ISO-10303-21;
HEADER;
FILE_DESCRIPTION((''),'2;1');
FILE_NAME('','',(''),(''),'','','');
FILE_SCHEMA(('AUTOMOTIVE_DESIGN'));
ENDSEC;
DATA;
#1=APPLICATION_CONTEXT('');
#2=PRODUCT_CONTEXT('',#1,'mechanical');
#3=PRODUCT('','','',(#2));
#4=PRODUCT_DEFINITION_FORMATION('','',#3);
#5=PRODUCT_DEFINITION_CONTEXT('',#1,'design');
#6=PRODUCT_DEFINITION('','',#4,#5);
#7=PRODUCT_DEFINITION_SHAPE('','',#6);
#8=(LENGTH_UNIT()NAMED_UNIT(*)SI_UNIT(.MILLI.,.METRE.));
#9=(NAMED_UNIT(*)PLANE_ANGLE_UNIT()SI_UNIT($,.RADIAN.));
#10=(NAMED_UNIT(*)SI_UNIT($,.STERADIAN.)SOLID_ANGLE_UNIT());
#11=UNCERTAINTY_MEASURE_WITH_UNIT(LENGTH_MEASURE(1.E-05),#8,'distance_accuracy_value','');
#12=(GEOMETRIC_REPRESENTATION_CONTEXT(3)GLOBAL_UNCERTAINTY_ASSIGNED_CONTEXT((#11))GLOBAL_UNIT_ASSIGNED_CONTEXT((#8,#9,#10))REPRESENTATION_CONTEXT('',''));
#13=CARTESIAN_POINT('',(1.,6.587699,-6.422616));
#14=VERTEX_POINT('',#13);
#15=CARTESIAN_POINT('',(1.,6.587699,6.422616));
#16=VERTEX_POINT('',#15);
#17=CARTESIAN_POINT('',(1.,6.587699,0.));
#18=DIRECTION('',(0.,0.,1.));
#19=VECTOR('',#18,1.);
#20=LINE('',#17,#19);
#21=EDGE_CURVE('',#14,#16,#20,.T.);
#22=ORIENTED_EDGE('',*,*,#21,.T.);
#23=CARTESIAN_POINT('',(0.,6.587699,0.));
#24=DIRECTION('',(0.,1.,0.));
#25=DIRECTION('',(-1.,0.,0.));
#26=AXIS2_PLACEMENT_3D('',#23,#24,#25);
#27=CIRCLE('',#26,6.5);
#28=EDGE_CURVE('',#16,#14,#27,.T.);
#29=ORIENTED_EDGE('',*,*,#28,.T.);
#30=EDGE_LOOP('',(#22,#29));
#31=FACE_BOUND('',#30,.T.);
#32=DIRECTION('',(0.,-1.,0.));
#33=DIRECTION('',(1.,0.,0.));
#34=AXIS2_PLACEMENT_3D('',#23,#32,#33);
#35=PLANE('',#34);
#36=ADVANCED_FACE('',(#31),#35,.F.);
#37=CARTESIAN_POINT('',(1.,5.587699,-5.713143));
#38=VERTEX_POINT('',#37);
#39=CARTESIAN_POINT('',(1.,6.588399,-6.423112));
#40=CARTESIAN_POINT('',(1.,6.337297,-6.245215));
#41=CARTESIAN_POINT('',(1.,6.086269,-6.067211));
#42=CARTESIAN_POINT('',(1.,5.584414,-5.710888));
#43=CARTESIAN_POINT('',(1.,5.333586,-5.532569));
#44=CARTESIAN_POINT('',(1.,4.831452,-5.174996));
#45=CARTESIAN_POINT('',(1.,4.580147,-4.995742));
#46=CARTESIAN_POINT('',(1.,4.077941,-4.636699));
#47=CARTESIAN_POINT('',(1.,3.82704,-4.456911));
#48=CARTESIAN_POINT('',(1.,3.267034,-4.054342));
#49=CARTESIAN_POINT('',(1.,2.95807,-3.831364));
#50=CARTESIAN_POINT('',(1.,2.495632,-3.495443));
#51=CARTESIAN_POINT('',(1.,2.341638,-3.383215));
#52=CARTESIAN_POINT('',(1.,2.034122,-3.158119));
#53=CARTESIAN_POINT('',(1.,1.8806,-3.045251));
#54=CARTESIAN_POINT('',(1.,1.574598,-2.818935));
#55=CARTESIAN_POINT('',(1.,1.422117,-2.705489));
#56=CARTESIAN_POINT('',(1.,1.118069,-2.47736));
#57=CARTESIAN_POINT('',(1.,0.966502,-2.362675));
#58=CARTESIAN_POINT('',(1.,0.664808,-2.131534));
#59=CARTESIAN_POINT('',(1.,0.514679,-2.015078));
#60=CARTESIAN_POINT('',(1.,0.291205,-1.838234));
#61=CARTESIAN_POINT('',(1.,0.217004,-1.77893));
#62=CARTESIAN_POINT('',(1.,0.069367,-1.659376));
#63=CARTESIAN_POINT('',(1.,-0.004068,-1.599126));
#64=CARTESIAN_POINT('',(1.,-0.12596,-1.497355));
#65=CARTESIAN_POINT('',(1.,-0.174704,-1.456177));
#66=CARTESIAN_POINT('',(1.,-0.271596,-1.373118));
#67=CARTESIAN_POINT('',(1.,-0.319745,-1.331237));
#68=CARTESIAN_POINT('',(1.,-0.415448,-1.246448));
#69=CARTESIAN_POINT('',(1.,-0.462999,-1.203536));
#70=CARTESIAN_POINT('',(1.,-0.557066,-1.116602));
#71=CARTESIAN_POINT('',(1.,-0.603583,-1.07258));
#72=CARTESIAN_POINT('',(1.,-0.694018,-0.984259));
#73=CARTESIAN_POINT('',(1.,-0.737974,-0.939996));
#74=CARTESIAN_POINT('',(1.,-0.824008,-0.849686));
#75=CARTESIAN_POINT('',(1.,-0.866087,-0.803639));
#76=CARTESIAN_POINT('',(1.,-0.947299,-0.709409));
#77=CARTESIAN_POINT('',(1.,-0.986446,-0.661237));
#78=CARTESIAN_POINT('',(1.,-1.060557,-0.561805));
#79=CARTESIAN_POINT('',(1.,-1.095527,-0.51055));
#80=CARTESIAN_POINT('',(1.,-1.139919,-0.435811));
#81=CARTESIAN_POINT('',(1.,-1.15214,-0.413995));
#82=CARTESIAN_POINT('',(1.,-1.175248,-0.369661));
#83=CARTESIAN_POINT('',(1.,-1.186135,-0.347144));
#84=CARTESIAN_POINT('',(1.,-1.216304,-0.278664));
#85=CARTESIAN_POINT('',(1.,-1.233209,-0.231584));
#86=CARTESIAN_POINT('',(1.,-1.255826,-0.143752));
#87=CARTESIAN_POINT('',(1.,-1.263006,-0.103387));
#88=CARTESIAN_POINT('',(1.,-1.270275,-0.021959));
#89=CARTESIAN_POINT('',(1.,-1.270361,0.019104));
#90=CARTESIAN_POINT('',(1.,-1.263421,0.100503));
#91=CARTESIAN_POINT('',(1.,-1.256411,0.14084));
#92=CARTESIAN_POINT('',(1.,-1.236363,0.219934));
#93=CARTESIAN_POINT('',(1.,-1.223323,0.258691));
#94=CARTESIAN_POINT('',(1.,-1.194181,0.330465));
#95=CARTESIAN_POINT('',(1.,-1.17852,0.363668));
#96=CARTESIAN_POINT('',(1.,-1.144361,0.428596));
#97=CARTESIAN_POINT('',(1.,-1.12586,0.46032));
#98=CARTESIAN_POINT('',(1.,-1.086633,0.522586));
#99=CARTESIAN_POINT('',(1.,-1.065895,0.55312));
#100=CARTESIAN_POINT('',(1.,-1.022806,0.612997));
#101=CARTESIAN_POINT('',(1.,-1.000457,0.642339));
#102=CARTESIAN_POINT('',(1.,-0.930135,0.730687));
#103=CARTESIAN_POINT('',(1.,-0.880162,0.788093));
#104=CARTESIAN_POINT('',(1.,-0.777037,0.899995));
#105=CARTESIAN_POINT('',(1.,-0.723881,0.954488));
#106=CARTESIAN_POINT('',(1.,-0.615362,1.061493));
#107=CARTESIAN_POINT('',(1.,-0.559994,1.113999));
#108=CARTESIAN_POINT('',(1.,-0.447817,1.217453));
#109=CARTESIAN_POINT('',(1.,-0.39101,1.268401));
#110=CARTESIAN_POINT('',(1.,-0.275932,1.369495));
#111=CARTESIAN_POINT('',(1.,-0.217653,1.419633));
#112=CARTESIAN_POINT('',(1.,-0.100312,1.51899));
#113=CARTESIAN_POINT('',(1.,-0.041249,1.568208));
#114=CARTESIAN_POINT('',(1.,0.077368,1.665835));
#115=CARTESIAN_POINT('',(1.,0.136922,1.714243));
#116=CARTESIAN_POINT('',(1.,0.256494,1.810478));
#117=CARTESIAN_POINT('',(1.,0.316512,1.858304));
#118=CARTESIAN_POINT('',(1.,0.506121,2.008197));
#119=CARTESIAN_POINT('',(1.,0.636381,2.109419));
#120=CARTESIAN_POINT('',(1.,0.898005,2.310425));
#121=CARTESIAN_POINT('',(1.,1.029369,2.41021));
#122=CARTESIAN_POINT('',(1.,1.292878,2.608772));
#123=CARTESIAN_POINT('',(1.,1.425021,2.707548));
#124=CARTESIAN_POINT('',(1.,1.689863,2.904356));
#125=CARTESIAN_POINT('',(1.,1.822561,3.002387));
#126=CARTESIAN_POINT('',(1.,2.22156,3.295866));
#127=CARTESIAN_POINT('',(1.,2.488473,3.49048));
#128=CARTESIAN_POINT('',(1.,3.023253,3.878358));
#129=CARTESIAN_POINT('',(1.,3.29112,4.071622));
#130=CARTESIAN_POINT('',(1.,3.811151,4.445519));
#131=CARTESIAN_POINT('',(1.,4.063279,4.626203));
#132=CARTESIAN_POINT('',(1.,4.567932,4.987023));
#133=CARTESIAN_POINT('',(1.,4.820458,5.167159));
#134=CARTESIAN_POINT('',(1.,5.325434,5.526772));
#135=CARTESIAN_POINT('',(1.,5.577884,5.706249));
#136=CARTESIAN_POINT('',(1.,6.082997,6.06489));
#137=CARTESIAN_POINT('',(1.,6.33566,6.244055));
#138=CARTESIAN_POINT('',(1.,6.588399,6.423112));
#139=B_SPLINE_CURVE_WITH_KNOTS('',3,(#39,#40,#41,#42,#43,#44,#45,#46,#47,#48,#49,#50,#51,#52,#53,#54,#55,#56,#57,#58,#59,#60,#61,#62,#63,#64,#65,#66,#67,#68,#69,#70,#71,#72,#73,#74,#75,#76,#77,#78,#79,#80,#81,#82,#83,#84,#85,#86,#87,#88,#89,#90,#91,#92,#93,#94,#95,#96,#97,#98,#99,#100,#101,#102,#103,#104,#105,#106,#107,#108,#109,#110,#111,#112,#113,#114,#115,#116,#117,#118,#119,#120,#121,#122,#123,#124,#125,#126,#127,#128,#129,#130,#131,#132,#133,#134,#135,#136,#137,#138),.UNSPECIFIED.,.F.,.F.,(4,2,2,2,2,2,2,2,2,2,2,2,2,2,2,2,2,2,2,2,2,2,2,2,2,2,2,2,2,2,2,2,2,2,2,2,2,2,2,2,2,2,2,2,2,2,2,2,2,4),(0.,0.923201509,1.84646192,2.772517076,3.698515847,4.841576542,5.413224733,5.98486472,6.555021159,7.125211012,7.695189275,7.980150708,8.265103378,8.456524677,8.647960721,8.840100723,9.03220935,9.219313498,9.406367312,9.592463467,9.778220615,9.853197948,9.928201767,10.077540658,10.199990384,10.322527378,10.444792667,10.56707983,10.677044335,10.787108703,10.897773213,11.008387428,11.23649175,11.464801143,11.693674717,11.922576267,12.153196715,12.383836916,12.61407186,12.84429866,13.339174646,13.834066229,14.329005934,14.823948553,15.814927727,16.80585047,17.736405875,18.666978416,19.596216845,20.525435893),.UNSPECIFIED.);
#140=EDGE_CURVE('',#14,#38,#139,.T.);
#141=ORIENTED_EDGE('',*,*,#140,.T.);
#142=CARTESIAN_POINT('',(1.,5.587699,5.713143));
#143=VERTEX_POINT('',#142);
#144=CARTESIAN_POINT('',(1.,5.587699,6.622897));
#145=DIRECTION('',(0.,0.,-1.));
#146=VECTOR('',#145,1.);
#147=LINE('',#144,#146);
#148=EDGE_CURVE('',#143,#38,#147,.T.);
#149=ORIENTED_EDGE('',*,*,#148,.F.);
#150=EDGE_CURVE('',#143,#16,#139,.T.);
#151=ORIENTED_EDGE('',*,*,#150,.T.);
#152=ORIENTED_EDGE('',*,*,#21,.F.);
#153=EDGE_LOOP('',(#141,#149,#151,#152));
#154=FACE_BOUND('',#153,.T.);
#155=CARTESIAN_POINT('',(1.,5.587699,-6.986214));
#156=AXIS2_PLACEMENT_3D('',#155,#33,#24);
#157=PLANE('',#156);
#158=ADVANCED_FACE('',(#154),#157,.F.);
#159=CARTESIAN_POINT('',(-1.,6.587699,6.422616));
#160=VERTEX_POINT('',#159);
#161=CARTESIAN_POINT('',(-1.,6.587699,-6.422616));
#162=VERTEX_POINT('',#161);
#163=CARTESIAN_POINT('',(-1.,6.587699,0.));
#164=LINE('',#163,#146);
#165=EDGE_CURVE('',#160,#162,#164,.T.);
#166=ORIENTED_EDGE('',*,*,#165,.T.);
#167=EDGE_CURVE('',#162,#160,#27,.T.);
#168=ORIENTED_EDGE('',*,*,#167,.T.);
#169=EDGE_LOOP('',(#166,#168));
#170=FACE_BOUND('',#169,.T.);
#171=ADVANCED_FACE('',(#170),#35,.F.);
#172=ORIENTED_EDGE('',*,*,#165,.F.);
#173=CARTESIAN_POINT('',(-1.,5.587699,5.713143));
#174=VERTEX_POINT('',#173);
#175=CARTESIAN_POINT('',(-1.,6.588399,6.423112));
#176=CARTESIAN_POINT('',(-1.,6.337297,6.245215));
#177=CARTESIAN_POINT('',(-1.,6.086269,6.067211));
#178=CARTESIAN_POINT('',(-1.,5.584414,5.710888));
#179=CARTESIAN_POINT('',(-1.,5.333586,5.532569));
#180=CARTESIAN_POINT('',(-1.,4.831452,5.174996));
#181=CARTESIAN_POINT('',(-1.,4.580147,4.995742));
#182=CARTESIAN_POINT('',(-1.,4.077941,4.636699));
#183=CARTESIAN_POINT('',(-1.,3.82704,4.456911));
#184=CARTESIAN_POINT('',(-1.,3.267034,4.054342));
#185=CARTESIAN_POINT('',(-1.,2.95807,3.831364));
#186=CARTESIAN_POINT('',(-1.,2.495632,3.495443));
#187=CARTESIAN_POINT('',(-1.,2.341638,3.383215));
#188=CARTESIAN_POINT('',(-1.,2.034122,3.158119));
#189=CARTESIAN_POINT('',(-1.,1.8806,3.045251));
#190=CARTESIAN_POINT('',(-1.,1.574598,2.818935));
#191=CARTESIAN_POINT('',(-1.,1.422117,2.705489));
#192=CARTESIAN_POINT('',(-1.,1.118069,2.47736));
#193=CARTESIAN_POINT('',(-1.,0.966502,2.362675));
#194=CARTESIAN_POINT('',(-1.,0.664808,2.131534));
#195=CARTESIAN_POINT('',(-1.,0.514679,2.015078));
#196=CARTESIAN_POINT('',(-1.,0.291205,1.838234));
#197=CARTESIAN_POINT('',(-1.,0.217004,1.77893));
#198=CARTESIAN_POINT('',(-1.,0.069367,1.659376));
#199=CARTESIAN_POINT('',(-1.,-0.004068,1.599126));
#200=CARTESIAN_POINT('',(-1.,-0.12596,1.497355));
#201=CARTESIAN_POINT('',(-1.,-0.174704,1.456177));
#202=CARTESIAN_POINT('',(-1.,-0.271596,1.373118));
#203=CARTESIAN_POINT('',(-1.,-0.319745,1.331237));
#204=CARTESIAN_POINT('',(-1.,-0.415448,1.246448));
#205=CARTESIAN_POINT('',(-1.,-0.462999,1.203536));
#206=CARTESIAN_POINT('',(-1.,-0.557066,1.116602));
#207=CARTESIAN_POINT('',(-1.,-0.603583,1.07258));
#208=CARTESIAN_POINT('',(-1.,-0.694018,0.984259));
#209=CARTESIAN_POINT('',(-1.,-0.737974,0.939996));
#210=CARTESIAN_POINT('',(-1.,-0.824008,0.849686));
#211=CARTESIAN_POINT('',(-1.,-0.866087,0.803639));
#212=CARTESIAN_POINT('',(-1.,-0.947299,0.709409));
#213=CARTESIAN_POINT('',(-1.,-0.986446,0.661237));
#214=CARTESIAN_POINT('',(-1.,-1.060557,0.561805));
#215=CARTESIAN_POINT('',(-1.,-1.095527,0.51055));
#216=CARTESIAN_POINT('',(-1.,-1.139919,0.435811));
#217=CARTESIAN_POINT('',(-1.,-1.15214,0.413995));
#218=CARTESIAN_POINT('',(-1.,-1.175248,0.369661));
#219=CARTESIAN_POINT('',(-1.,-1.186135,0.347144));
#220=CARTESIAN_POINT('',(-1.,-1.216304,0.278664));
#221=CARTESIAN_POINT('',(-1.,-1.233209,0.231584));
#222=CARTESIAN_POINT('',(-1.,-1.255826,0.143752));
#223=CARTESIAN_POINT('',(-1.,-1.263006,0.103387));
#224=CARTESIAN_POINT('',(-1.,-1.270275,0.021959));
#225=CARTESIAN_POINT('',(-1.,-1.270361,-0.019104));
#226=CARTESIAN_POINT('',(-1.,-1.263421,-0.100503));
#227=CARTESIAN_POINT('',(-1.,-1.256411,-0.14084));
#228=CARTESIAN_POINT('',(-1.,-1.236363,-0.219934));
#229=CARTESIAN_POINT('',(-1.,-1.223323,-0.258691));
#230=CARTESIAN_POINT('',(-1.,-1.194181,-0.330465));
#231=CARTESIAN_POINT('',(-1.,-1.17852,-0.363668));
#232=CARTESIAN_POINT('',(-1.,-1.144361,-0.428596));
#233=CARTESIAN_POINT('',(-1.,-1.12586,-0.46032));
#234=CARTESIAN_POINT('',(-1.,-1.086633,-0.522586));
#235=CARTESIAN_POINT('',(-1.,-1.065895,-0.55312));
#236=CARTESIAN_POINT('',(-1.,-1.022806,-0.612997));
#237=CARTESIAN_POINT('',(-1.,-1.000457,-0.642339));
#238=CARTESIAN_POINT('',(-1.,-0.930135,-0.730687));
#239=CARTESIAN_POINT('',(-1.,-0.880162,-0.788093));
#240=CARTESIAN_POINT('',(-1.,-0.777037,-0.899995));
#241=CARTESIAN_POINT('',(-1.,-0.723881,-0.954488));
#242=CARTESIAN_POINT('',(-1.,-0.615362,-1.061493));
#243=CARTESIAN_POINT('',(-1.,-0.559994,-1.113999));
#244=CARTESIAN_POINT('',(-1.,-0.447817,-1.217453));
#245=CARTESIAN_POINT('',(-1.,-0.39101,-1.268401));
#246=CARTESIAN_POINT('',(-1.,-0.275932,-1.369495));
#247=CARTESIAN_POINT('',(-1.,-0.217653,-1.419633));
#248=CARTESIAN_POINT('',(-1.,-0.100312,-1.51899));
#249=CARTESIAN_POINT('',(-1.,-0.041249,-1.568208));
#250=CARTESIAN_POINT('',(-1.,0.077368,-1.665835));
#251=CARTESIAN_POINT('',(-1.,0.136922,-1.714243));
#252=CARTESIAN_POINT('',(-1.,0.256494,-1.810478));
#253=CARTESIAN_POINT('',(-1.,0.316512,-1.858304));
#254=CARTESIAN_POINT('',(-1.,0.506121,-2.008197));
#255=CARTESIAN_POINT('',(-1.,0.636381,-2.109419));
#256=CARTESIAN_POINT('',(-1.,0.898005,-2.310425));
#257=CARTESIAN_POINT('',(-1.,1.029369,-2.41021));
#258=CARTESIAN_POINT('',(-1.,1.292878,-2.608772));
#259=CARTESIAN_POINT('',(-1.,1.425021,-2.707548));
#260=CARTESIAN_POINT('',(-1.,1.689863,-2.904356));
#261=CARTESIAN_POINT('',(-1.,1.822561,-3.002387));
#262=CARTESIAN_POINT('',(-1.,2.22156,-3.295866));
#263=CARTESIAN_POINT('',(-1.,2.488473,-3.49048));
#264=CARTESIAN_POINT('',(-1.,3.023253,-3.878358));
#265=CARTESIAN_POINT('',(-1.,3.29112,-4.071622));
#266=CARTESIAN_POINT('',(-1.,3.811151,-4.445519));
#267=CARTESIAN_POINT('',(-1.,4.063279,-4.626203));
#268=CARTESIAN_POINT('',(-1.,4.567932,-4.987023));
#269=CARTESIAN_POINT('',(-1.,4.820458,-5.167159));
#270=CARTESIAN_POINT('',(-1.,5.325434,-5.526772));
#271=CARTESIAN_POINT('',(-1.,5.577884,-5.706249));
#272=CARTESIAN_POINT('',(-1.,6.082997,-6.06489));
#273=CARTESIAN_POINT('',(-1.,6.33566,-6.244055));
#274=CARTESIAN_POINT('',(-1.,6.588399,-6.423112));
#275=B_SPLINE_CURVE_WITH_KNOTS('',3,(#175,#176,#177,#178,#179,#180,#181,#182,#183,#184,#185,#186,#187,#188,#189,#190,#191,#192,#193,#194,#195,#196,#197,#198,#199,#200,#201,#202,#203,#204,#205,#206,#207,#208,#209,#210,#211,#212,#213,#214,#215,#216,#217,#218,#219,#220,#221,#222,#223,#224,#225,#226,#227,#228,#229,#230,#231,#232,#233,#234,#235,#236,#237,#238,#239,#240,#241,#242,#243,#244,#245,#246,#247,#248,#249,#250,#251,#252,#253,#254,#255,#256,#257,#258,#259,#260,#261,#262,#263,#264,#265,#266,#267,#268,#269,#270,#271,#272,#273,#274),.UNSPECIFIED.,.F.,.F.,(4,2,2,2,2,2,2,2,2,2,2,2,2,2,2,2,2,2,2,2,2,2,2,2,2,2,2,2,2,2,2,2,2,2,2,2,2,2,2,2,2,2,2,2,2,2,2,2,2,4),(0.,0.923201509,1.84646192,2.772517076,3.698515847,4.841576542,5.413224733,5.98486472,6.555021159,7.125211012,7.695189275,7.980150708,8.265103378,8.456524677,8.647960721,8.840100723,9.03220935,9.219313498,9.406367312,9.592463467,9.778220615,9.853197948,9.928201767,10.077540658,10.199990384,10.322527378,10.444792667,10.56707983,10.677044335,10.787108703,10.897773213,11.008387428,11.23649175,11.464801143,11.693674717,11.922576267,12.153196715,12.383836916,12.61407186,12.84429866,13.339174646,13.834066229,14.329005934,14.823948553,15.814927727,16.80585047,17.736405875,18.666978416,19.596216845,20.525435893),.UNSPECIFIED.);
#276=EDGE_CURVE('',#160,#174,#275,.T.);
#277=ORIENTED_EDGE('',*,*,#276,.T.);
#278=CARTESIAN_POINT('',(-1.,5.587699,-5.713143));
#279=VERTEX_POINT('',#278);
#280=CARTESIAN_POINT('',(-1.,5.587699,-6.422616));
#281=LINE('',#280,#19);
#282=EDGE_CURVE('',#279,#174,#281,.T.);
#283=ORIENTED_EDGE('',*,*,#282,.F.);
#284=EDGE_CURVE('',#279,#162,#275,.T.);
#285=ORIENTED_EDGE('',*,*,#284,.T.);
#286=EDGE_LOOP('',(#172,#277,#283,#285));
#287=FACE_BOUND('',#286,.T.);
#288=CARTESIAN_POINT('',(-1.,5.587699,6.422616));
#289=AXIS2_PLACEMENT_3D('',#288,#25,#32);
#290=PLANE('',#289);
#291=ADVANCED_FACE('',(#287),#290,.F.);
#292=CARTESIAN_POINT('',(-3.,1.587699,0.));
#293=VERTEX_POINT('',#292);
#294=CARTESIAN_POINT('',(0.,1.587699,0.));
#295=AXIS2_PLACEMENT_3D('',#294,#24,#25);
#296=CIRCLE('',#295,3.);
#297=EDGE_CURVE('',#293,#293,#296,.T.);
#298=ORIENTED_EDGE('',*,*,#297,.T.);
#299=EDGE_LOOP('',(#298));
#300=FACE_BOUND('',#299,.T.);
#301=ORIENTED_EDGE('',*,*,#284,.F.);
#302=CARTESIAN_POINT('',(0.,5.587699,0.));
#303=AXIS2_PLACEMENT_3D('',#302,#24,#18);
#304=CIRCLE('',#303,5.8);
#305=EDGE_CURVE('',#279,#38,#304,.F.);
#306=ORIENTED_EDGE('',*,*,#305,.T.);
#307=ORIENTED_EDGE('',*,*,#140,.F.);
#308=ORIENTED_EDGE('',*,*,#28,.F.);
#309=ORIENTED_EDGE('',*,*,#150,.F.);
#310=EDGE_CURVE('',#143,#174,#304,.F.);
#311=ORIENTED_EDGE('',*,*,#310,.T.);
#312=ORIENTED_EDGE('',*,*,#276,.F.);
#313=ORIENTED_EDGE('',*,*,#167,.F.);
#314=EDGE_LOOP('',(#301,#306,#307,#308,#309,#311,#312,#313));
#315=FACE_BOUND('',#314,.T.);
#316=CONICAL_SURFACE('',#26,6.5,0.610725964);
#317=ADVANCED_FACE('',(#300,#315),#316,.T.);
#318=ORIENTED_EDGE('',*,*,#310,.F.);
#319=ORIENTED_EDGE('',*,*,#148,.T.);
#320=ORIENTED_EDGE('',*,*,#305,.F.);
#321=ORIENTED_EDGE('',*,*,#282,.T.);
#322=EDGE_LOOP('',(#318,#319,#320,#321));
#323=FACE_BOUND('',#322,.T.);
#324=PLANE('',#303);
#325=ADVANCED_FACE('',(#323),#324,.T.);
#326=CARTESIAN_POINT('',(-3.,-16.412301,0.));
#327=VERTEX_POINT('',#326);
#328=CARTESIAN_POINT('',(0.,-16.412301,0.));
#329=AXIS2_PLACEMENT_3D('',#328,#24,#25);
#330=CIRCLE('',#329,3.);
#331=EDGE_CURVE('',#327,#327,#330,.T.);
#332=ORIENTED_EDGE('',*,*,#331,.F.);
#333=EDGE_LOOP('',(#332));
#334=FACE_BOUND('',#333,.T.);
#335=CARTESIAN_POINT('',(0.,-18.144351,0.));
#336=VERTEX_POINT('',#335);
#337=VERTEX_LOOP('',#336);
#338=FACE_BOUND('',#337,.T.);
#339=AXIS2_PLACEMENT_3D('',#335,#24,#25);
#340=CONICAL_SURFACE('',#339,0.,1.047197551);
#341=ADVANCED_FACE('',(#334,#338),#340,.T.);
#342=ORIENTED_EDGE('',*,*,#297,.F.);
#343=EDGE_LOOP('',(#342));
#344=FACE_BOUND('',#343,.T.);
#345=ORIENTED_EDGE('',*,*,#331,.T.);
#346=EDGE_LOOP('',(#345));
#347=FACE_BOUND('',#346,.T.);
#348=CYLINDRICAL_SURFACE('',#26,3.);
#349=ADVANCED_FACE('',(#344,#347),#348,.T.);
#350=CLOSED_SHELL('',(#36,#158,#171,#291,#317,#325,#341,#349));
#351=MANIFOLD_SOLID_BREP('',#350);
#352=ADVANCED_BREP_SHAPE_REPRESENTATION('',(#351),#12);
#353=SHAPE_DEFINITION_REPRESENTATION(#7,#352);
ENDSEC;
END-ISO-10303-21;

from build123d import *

# Parameters (mm, degrees)
CUT_EXTRUDE2_DEPTH = 1


with BuildPart() as part:
    # Sketch2 → Revolve1 (revolve)
    with BuildSketch(Plane.XY, mode=Mode.PRIVATE) as revolve1_sk:
        Polygon((0, -16.412300512), (0, -18.14435132), (3, -16.412300512), (3, 1.587699488), (6.5, 6.587699488), (0, 6.587699488), align=None)
    revolve(revolve1_sk.sketch.rotate(Axis((0, 6.587699488, 0), (0, -1, 0)), 180), axis=Axis((0, 6.587699488, 0), (0, -1, 0)))

    # Sketch4 → Cut-Extrude2 (cut)
    with BuildSketch(Plane(origin=(0, 6.587699488, 0), x_dir=(1, 0, 0), z_dir=(0, 1, 0))):
        Polygon((-1, 6.422616289), (-1, -6.422616289), (-1, -6.622896644), (1, -6.622896644), (1, -6.422616289), (1, 6.422616289), (1, 6.986214166), (-1, 6.986214166), align=None)
    extrude(amount=-CUT_EXTRUDE2_DEPTH, mode=Mode.SUBTRACT)


solid = part.part
